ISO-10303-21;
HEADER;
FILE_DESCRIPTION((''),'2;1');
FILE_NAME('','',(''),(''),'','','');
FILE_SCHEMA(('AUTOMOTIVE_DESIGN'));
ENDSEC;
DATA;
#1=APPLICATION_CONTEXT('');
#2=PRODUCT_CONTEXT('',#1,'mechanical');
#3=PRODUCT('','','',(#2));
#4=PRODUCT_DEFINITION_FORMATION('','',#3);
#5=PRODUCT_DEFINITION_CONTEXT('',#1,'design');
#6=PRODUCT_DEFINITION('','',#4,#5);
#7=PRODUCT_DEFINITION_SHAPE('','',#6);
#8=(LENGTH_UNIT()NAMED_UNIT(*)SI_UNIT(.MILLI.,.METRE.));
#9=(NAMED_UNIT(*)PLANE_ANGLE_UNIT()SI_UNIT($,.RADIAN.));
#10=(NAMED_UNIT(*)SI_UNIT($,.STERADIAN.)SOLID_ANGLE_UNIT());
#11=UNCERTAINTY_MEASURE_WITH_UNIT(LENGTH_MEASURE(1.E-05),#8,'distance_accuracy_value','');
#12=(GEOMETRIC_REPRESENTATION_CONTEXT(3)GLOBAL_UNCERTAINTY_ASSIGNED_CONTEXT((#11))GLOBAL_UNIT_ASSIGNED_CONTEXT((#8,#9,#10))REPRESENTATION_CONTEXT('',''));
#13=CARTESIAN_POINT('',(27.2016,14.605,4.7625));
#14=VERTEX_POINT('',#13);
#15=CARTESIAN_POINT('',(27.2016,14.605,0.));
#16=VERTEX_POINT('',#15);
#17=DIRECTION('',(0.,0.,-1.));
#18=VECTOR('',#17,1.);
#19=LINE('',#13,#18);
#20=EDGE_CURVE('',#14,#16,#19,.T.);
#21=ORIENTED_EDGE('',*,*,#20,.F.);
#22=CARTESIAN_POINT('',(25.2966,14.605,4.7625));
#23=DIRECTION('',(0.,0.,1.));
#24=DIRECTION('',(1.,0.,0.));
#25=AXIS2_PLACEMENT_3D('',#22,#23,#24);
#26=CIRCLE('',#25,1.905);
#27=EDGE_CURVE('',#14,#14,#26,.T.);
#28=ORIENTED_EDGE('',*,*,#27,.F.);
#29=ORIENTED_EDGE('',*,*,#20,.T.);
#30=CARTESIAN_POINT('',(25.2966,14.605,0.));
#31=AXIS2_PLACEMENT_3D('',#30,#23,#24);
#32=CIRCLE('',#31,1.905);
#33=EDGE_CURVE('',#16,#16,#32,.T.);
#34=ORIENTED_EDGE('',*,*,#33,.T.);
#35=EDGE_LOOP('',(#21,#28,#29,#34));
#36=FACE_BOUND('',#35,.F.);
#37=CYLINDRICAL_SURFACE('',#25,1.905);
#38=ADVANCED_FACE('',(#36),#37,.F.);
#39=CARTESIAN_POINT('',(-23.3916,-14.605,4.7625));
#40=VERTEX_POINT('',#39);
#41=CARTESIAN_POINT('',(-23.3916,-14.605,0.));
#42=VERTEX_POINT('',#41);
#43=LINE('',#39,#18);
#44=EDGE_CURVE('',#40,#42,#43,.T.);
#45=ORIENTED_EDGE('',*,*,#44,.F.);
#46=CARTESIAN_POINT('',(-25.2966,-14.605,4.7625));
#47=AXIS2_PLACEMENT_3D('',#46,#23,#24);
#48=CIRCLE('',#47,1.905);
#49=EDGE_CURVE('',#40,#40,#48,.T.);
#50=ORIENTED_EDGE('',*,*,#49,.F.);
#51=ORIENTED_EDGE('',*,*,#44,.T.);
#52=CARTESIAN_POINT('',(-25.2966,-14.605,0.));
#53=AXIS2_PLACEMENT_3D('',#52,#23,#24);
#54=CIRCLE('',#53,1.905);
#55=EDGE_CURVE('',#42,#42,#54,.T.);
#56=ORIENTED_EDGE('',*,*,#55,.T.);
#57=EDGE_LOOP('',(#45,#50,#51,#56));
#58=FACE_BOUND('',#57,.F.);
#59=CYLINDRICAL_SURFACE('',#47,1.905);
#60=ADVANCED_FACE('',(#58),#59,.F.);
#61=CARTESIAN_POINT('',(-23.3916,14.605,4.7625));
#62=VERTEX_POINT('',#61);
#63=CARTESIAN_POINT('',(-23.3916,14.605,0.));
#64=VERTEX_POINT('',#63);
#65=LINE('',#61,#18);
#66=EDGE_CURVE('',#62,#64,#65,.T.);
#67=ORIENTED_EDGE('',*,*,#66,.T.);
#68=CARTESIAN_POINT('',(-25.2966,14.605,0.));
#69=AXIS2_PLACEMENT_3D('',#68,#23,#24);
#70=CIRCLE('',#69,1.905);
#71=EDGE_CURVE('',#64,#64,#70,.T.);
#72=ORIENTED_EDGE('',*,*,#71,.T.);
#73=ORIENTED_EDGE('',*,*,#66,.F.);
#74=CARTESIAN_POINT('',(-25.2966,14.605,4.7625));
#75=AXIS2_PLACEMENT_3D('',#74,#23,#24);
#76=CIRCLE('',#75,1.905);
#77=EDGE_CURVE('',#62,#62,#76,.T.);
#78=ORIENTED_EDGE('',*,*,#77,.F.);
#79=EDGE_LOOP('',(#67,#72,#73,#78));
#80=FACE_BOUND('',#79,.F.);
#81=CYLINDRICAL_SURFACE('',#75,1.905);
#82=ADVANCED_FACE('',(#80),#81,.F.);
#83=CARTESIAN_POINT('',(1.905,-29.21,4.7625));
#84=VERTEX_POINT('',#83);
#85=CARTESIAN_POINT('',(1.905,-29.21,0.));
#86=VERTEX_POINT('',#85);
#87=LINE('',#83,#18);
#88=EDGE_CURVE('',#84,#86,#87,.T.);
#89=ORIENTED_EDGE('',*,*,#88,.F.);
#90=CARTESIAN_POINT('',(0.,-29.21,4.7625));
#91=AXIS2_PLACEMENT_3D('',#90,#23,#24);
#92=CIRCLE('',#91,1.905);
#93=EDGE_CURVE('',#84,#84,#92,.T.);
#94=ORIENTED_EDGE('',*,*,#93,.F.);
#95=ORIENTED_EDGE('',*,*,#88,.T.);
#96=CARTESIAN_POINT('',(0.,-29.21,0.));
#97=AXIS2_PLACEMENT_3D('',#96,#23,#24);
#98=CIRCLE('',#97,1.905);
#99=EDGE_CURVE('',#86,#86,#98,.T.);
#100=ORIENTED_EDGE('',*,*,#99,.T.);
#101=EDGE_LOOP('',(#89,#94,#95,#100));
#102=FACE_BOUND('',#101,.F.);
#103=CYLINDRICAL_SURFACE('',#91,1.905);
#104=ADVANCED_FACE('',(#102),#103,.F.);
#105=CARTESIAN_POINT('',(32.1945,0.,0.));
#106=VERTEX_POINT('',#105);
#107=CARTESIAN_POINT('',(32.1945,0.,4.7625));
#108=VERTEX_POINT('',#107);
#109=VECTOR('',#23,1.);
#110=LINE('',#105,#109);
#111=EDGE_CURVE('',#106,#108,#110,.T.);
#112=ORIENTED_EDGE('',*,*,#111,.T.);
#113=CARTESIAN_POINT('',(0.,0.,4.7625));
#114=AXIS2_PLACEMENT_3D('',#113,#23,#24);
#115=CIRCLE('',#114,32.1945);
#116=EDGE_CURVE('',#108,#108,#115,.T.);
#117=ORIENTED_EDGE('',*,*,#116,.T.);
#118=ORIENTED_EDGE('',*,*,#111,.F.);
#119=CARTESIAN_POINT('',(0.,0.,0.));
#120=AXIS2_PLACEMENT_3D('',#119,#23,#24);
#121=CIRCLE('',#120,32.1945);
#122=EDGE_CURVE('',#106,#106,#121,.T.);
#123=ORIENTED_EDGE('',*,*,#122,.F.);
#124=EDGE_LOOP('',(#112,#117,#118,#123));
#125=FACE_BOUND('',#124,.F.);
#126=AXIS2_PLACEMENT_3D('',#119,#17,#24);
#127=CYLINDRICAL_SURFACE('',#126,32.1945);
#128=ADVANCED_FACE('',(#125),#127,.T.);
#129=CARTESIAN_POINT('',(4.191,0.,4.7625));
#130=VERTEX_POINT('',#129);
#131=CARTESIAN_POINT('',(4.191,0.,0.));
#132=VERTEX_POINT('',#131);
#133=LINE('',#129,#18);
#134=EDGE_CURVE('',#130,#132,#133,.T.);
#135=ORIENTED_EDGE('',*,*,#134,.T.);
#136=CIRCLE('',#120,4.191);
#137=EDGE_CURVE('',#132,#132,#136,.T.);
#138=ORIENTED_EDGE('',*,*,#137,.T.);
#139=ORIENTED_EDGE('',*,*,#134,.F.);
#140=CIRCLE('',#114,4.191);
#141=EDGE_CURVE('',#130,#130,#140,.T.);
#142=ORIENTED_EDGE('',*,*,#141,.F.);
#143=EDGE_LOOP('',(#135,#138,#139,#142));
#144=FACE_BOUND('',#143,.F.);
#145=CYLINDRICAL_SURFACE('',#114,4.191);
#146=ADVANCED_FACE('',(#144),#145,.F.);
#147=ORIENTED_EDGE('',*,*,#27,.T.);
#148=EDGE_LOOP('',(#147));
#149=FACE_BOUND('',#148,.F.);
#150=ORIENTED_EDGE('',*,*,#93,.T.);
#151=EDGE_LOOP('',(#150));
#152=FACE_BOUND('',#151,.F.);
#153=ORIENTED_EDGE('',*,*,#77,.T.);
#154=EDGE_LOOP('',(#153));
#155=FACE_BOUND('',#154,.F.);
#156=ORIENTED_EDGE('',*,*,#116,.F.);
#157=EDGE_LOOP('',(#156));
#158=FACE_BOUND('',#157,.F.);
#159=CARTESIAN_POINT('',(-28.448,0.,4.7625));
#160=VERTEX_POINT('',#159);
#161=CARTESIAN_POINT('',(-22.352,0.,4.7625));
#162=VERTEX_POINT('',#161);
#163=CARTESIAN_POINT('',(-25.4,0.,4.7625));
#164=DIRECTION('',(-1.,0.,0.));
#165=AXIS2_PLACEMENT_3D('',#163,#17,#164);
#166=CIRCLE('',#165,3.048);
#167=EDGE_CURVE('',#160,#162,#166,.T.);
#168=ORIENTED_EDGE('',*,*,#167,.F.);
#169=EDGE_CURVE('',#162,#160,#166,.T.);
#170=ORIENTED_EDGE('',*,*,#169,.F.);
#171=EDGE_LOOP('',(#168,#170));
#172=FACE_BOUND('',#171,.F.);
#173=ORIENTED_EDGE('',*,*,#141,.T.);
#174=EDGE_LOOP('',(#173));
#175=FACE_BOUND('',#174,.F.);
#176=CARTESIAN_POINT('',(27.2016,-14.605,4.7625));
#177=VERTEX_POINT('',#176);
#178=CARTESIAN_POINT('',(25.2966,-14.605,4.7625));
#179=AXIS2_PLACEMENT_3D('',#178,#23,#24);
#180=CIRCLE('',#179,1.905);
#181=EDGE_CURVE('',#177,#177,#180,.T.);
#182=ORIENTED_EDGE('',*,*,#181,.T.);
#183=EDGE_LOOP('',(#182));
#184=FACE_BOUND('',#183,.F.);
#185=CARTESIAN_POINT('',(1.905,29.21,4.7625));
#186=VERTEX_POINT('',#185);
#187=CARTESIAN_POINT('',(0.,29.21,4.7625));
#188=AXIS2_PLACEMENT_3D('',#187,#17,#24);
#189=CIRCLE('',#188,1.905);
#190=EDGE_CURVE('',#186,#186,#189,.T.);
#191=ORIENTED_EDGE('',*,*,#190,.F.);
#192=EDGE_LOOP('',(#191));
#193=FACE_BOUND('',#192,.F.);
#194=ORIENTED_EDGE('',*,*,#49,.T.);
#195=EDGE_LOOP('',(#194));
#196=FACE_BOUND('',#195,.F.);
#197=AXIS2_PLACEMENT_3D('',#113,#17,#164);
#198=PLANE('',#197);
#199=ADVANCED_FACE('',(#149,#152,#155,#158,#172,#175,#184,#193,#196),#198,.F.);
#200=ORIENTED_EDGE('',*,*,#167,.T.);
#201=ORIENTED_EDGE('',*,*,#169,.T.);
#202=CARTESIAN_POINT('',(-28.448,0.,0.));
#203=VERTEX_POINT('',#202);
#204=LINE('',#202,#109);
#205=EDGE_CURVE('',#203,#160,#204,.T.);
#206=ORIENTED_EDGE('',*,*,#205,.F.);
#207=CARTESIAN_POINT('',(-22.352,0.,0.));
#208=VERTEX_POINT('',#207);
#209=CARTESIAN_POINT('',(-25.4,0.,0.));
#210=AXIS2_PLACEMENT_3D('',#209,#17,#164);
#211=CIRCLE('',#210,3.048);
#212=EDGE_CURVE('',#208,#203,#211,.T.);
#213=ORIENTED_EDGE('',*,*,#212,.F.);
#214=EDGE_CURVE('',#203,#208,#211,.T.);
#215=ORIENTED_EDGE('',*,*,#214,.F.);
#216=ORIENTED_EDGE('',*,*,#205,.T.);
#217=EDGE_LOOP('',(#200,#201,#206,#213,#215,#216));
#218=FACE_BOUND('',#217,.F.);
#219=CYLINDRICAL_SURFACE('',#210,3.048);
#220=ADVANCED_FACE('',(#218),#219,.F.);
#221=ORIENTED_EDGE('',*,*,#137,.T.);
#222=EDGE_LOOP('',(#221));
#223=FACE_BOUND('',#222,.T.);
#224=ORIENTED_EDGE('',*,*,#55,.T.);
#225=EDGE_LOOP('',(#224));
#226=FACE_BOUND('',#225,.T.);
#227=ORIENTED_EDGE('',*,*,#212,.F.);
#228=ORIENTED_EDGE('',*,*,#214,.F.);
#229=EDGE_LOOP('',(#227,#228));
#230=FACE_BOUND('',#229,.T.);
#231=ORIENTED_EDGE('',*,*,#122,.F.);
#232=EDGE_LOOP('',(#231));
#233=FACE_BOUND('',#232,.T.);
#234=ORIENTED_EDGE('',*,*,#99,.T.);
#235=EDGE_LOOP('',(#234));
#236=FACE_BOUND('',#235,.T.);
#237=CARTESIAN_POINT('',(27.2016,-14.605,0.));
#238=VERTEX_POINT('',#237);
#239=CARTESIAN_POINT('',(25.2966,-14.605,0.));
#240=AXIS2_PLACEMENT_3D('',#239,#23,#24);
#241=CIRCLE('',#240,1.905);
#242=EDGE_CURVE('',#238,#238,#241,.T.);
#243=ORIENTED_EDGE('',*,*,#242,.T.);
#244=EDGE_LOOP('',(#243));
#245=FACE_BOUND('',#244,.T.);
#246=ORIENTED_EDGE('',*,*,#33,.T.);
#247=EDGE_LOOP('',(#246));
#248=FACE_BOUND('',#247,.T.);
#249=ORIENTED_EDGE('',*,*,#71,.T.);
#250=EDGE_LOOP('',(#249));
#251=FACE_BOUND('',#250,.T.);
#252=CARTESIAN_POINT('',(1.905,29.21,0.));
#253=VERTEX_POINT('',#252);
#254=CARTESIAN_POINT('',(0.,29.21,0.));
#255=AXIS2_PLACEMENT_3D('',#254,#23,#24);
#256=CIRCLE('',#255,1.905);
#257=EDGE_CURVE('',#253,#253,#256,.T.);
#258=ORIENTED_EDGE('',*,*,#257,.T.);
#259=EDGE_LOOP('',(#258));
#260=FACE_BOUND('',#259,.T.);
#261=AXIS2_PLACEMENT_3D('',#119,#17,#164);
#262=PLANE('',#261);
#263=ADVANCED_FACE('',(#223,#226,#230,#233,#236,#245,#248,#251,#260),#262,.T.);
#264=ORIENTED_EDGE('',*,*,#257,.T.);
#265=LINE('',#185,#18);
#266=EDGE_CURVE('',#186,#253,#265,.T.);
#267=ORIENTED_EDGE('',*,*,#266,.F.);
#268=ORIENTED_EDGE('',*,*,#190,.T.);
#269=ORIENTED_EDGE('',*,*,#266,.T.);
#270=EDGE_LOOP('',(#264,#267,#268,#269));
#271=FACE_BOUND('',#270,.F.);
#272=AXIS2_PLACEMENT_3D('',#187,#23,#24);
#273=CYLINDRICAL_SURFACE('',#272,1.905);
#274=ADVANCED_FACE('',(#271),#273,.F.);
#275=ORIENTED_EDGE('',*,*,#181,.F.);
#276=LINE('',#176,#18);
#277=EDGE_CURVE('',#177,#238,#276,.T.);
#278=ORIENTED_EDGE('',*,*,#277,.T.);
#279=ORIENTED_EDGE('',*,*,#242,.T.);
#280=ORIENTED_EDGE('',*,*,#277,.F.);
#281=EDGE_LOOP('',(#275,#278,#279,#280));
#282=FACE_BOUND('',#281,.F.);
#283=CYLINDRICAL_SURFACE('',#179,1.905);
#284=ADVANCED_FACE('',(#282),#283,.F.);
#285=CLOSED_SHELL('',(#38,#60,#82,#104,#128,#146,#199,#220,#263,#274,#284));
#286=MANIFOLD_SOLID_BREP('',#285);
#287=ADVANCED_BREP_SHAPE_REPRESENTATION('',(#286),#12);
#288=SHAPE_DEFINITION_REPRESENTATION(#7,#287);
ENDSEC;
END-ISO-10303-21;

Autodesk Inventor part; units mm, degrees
ref_plane "YZ Plane" through (0, 0, 0) normal (1, 0, 0) x (0, 1, 0)
ref_plane "XZ Plane" through (0, 0, 0) normal (0, 1, 0) x (-1, 0, 0)
ref_plane "XY Plane" through (0, 0, 0) normal (0, 0, 1) x (1, 0, 0)
sketch "Sketch1" plane through (0, 0, 0) normal (0, 0, 1) x (1, 0, 0)
  circle A0 centre (0, 0) radius 32.1945
  dimension "d0" = 64.389
extrude "Extrusion1" add sketch "Sketch1" along normal blind 4.7625
sketch "Sketch2" plane through (0, 0, 4.7625) normal (0, 0, 1) x (1, 0, 0)
  line L0 (0, 0) -> (0, 29.21)
  circle A0 centre (0, 29.21) radius 1.905
  circle A1 centre (-25.2966, 14.605) radius 1.905
  circle A2 centre (-25.2966, -14.605) radius 1.905
  circle A3 centre (0, -29.21) radius 1.905
  circle A4 centre (25.2966, -14.605) radius 1.905
  circle A5 centre (25.2966, 14.605) radius 1.905
  dimension "d3" = 29.21
  dimension "d4" = 3.81
  dimension "d7" = 360
extrude "Extrusion2" cut sketch "Sketch2" against normal through all
sketch "Sketch4" plane through (0, 0, 0) normal (0, 0, -1) x (-1, 0, 0)
  line L0 (0, 0) -> (25.4, 0)
  line L1 (20.0474, 0) -> (22.7237, 4.6355)
  line L2 (22.7237, 4.6355) -> (28.0763, 4.6355)
  line L3 (28.0763, 4.6355) -> (30.7526, 0)
  line L4 (30.7526, 0) -> (28.0763, -4.6355)
  line L5 (28.0763, -4.6355) -> (22.7237, -4.6355)
  line L6 (22.7237, -4.6355) -> (20.0474, 0)
  dimension "d12" = 25.4
  dimension "d13" = 9.271
extrude "Extrusion3" cut sketch "Sketch4" against normal through all
sketch "Sketch5" plane through (0, 0, 0) normal (0, 0, -1) x (-1, 0, 0)
  line L0 (22.7237, -4.6355) -> (20.0474, 0) projected
  line L1 (20.0474, 0) -> (22.7237, 4.6355) projected
  line L2 (22.7237, 4.6355) -> (28.0763, 4.6355) projected
  line L3 (28.0763, 4.6355) -> (30.7526, 0) projected
  line L4 (30.7526, 0) -> (28.0763, -4.6355) projected
  line L5 (28.0763, -4.6355) -> (22.7237, -4.6355) projected
  circle A0 centre (0, 0) radius 32.1945 projected
  circle A1 centre (25.4, 0) radius 3.048
  line L6 (0, 0) -> (25.4, 0)
  dimension "d16" = 6.096
  dimension "d22" = 25.4
extrude "Extrusion4" add sketch "Sketch5" against normal up to surface (4.7625 mm away) contours L0 L1 L2 L3 L4 L5
sketch "Sketch6" plane through (0, 0, 4.7625) normal (0, 0, 1) x (1, 0, 0)
  circle A0 centre (0, 0) radius 4.191
  dimension "d19" = 8.382
extrude "Extrusion5" cut sketch "Sketch6" against normal through all
properties part number "pistonSealingDisc" material "Aluminum 6061"
